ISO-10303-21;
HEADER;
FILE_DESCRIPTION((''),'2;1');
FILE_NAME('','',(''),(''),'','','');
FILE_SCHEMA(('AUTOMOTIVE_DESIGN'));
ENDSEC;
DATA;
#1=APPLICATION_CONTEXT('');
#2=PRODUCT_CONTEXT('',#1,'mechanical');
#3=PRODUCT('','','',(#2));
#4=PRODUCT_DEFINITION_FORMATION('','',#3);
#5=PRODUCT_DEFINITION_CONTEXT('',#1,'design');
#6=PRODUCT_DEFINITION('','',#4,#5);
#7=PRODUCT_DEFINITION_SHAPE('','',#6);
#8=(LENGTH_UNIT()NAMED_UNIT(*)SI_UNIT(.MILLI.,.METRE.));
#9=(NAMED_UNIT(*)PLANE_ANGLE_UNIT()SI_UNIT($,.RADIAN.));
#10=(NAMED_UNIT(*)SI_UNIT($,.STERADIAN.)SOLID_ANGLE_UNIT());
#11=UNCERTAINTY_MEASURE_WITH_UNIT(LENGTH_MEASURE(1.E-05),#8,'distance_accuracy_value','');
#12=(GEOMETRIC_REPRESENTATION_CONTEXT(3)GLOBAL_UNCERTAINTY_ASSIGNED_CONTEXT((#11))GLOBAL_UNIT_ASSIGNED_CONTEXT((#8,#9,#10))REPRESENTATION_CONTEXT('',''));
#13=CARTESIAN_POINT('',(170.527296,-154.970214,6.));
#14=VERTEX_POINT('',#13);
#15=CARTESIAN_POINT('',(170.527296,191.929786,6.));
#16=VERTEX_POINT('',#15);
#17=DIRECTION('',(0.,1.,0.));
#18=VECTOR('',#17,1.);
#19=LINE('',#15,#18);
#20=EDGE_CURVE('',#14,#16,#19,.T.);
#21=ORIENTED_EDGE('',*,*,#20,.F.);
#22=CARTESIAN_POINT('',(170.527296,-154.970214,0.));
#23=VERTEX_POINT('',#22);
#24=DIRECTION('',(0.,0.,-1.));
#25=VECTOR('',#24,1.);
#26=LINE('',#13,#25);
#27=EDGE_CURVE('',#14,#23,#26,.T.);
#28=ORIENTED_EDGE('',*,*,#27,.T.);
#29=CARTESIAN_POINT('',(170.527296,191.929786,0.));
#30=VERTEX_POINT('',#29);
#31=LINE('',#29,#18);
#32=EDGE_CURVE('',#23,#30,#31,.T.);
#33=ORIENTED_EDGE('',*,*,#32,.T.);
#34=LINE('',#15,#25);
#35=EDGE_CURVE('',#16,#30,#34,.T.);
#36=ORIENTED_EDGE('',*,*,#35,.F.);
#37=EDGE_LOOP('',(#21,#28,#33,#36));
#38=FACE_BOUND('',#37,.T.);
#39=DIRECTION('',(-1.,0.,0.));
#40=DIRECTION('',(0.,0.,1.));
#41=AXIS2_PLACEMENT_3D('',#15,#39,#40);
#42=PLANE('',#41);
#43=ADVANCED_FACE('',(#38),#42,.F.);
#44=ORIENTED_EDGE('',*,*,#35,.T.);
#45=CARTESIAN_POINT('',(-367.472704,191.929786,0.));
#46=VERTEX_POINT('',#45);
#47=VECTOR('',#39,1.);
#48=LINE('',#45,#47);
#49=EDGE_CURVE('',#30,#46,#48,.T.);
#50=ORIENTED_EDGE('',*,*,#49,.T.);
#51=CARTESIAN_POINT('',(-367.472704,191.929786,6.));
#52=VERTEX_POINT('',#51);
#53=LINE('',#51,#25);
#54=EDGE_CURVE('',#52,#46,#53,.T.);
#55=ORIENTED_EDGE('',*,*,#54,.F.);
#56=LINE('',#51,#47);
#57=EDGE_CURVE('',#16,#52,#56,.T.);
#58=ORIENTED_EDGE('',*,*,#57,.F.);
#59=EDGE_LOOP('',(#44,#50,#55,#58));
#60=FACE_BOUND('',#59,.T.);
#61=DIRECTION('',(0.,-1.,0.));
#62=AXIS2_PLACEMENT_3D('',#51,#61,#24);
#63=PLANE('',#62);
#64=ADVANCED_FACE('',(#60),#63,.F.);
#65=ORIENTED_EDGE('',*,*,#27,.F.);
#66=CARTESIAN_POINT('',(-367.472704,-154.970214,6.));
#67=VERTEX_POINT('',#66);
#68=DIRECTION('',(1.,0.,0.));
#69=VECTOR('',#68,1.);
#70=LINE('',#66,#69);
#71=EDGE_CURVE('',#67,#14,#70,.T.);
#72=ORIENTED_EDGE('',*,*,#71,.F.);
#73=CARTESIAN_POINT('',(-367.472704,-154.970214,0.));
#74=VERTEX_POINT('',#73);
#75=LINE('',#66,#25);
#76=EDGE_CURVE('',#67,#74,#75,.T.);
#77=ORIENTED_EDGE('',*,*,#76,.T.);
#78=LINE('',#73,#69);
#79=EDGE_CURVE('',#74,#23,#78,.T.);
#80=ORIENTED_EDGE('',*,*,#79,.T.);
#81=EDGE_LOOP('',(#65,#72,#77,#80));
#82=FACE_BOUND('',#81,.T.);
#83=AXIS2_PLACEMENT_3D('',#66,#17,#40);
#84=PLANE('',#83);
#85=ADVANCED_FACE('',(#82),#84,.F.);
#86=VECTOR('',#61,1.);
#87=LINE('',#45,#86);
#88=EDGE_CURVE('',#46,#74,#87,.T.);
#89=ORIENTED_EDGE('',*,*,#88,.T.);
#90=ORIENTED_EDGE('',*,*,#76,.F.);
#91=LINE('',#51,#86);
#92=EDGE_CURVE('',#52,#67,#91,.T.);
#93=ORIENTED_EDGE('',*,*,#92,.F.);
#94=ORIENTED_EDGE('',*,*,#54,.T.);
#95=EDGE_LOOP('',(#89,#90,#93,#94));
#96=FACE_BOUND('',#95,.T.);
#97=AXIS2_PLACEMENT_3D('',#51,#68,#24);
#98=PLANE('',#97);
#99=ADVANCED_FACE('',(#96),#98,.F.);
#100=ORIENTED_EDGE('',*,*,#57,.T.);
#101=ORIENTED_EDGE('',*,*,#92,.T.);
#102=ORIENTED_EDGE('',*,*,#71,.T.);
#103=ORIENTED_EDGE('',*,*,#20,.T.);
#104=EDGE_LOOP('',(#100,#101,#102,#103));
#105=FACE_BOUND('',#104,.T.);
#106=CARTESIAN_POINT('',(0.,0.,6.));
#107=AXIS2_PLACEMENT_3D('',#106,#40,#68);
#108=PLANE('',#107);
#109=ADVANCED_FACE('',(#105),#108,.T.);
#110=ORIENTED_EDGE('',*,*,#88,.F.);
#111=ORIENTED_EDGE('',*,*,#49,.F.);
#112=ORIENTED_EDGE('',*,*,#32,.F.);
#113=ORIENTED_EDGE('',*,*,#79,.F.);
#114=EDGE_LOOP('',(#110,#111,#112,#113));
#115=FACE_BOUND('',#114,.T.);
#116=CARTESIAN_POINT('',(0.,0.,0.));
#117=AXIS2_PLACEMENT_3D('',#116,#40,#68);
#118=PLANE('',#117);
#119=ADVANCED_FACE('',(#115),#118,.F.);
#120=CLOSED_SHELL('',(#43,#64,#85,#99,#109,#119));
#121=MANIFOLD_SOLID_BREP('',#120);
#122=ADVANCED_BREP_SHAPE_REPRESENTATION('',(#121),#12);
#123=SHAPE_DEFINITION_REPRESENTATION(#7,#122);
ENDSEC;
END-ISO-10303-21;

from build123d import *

# Parameters (mm, degrees)
SKETCH_1_W      = 537.999999999
SKETCH_1_H      = 346.9
EXTRUDE_1_DEPTH = 6


with BuildPart() as part:
    # Эскиз1 → Бобышка-Вытянуть1 (new body)
    with BuildSketch(Plane.XY):
        with Locations((-98.472703647, 18.479785592)):
            Rectangle(SKETCH_1_W, SKETCH_1_H)
    extrude(amount=EXTRUDE_1_DEPTH)


solid = part.part
